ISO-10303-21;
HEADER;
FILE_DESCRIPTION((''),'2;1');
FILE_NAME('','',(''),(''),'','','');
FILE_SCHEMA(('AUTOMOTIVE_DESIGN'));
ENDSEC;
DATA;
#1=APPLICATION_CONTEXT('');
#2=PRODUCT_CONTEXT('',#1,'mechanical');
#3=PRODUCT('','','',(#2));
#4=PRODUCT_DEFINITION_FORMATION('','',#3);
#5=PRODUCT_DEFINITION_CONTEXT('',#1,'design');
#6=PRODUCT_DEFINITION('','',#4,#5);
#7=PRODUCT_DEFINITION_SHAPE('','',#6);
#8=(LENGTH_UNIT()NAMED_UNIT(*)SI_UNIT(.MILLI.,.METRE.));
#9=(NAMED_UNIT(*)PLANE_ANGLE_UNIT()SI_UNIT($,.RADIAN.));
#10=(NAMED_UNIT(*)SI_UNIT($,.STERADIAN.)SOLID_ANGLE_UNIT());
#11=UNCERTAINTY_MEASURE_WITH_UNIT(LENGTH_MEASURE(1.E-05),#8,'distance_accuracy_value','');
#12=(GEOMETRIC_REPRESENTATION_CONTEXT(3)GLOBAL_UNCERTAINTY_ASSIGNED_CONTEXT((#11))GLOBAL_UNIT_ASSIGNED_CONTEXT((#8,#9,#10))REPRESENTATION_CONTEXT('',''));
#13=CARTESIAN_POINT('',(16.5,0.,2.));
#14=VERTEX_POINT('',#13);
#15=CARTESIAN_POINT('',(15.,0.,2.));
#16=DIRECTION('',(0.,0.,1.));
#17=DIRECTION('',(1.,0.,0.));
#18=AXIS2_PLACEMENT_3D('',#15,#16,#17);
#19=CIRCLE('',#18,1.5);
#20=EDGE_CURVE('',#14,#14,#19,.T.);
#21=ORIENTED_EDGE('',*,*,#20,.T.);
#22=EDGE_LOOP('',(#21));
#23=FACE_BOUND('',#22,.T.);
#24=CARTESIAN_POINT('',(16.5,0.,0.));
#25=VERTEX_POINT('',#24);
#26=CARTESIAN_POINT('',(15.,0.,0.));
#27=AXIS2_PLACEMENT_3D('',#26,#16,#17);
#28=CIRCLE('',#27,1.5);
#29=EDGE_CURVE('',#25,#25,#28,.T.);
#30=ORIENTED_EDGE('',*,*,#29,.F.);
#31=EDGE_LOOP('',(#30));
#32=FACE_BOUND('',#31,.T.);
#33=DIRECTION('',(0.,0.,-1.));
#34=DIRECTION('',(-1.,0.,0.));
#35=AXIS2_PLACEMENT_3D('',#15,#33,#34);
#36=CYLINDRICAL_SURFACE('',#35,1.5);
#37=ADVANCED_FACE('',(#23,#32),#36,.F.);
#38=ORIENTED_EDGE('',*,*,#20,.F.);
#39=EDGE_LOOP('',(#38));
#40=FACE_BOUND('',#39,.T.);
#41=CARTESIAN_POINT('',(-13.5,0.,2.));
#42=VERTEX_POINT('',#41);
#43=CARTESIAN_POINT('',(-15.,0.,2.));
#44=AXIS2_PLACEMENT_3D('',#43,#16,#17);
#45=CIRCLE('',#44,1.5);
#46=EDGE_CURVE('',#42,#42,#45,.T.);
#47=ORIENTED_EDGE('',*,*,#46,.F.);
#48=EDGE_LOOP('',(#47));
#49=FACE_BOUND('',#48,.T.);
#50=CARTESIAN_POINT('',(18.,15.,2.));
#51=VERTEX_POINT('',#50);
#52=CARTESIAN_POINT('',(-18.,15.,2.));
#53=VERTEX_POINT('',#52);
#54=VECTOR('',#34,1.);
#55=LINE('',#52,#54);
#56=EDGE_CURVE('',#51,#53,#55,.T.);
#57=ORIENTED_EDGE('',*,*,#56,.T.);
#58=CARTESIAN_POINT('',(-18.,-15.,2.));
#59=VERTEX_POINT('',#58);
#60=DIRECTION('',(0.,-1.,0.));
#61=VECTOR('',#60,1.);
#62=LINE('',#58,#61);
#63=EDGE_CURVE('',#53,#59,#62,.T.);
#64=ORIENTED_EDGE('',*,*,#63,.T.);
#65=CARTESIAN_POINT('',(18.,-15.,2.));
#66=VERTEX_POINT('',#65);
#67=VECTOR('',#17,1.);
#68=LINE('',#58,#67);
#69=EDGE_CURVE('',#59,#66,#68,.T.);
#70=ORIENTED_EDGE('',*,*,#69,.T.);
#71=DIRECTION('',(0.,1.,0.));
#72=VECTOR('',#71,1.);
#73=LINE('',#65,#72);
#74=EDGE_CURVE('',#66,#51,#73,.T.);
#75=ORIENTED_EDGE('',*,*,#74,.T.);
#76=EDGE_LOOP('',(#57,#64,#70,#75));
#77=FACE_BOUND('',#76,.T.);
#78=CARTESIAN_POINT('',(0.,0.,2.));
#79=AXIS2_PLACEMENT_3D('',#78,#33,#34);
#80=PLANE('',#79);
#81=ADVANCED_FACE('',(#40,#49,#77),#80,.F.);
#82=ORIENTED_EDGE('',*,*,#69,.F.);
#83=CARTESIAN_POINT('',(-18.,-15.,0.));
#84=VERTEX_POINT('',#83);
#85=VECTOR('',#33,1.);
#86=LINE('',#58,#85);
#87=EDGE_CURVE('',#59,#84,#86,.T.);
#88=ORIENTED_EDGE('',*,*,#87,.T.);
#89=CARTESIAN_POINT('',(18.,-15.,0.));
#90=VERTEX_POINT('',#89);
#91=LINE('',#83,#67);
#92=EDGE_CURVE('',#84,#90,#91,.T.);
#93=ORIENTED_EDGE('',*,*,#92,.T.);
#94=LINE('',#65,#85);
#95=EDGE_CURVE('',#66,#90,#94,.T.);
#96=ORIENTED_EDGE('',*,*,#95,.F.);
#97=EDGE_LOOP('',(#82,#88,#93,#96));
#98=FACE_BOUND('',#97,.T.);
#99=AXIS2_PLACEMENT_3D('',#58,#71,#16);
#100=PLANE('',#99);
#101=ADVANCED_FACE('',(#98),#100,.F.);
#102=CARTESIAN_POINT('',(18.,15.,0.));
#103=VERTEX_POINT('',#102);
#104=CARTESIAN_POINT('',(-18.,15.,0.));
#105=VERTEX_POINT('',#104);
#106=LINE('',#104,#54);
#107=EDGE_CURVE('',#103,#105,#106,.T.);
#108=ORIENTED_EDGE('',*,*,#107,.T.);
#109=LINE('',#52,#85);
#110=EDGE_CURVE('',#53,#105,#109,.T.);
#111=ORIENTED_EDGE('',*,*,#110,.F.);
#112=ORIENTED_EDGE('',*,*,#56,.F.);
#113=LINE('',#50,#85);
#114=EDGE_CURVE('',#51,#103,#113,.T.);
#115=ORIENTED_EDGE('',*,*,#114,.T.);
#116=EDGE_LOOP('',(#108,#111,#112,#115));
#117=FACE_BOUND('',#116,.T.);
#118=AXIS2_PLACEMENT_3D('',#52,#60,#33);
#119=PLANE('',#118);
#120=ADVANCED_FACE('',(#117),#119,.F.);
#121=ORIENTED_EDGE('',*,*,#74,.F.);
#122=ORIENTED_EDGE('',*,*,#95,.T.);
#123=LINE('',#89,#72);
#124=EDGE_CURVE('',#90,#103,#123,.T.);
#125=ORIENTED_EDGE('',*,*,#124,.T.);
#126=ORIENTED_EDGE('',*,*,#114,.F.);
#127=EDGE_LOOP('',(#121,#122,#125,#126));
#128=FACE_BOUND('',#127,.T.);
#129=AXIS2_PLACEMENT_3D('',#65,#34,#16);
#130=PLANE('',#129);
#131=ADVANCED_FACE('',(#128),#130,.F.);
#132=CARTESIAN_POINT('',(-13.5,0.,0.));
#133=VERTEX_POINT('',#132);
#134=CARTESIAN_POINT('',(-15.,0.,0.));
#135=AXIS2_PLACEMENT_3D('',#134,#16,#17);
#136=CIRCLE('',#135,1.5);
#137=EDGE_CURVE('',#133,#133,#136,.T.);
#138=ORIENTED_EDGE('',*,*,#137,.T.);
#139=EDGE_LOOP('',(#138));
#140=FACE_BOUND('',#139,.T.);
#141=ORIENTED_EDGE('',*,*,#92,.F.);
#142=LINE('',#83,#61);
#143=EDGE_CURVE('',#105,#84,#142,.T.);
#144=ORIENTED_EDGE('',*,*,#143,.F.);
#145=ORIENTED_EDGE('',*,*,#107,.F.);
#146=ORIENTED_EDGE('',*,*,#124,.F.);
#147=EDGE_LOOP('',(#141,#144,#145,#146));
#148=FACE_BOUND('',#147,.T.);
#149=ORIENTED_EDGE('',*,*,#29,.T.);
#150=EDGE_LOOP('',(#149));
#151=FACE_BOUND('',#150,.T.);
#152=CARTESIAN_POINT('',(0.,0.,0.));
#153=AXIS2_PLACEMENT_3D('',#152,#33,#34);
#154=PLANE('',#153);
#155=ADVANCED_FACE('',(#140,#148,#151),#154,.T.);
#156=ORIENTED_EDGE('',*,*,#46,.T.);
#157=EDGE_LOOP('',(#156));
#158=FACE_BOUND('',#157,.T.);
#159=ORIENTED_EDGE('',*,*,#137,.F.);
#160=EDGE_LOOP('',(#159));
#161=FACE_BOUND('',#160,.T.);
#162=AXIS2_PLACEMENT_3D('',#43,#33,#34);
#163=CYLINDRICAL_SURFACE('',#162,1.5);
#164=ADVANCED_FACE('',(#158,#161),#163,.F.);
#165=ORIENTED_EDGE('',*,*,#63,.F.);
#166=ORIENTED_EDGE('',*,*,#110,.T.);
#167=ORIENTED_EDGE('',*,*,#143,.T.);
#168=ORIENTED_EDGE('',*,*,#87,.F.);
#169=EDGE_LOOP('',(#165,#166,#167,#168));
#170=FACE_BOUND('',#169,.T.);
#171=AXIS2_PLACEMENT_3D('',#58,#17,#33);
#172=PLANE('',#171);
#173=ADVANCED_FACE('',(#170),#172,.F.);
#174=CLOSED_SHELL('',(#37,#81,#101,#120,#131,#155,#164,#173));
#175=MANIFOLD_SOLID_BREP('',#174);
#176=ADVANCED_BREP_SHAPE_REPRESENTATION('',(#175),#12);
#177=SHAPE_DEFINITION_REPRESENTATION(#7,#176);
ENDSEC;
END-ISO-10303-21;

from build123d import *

# Parameters (mm, degrees)
SKETCH_1_W      = 36
SKETCH_1_H      = 30
SKETCH_1_R      = 1.5
EXTRUDE_1_DEPTH = 2


with BuildPart() as part:
    # 草图1 → 凸台-拉伸1 (new body)
    with BuildSketch(Plane.XY):
        Rectangle(SKETCH_1_W, SKETCH_1_H)
        with Locations((-15, 0)):
            Circle(SKETCH_1_R, mode=Mode.SUBTRACT)
        with Locations((15, 0)):
            Circle(SKETCH_1_R, mode=Mode.SUBTRACT)
    extrude(amount=EXTRUDE_1_DEPTH)


solid = part.part
